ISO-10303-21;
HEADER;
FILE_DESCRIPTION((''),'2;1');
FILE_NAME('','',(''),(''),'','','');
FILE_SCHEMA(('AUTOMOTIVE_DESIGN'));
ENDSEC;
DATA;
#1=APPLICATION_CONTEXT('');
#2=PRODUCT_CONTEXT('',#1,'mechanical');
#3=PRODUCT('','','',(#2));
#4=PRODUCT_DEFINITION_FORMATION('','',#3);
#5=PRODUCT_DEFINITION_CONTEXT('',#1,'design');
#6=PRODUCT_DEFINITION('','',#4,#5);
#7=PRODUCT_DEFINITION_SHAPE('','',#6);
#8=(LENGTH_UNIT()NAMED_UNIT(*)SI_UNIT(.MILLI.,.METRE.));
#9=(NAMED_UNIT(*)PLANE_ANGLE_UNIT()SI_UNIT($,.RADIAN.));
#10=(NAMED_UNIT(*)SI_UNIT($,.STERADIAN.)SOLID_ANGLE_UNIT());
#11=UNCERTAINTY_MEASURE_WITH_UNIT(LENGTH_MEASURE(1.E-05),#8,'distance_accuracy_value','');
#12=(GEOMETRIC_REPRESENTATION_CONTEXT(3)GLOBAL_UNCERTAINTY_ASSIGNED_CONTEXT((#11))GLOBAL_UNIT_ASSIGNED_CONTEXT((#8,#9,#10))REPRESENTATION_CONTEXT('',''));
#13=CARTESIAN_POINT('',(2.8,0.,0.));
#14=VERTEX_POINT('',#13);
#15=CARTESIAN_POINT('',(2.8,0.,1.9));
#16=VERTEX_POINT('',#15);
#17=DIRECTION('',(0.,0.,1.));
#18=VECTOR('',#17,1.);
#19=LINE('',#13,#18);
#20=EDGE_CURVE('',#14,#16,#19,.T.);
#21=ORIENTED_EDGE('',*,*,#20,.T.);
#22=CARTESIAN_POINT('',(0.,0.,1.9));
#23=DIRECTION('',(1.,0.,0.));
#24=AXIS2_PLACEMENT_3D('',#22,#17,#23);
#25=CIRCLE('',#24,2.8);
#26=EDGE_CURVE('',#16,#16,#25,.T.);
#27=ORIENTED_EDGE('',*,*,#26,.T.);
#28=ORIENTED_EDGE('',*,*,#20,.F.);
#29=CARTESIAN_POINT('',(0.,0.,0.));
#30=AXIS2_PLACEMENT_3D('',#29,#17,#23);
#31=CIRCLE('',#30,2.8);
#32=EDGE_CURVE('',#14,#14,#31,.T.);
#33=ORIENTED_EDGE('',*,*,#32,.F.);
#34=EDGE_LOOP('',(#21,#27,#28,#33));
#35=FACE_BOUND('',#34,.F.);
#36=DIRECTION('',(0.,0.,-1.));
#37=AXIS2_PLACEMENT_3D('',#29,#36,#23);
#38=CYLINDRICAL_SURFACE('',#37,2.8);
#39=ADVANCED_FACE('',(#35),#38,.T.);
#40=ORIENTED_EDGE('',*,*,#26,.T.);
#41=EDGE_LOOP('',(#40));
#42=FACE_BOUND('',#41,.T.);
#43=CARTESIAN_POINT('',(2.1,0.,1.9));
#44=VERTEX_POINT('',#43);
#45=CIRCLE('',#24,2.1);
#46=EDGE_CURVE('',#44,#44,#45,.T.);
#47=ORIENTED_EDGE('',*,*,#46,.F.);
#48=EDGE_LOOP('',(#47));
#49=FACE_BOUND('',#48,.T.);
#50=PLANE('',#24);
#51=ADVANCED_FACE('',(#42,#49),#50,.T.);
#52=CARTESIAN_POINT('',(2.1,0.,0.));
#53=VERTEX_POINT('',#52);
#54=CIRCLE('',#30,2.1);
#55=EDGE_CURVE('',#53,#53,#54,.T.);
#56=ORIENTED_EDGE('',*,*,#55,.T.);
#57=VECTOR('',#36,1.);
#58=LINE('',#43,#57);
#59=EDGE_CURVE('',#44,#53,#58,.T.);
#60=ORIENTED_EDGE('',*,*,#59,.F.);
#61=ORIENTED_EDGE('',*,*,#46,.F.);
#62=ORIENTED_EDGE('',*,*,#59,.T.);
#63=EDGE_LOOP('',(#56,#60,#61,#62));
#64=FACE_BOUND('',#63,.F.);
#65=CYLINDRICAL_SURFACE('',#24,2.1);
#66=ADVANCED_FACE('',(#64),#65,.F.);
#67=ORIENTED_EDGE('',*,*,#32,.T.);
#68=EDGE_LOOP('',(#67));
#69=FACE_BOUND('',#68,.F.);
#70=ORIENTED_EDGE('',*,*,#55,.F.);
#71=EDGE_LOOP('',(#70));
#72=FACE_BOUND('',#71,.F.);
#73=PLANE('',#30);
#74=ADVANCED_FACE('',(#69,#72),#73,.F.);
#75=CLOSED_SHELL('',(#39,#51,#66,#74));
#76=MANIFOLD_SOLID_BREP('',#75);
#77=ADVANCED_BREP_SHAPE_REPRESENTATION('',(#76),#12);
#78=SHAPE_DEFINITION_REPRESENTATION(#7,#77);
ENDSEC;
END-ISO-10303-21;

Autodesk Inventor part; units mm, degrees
ref_plane "YZ Plane" through (0, 0, 0) normal (1, 0, 0) x (0, 1, 0)
ref_plane "XZ Plane" through (0, 0, 0) normal (0, 1, 0) x (-1, 0, 0)
ref_plane "XY Plane" through (0, 0, 0) normal (0, 0, 1) x (1, 0, 0)
sketch "Sketch1" plane through (0, 0, 0) normal (0, 0, 1) x (1, 0, 0)
  circle A0 centre (0, 0) radius 2.8
  dimension "d3" = 5.6
extrude "Extrusion1" add sketch "Sketch1" along normal blind 1.9
sketch "Sketch2" plane through (0, 0, 1.9) normal (0, 0, 1) x (1, 0, 0)
  circle A0 centre (0, 0) radius 2.1
  dimension "d2" = 4.2
extrude "Extrusion2" cut sketch "Sketch2" against normal blind 1.9
properties part number "laser clamp inside"
